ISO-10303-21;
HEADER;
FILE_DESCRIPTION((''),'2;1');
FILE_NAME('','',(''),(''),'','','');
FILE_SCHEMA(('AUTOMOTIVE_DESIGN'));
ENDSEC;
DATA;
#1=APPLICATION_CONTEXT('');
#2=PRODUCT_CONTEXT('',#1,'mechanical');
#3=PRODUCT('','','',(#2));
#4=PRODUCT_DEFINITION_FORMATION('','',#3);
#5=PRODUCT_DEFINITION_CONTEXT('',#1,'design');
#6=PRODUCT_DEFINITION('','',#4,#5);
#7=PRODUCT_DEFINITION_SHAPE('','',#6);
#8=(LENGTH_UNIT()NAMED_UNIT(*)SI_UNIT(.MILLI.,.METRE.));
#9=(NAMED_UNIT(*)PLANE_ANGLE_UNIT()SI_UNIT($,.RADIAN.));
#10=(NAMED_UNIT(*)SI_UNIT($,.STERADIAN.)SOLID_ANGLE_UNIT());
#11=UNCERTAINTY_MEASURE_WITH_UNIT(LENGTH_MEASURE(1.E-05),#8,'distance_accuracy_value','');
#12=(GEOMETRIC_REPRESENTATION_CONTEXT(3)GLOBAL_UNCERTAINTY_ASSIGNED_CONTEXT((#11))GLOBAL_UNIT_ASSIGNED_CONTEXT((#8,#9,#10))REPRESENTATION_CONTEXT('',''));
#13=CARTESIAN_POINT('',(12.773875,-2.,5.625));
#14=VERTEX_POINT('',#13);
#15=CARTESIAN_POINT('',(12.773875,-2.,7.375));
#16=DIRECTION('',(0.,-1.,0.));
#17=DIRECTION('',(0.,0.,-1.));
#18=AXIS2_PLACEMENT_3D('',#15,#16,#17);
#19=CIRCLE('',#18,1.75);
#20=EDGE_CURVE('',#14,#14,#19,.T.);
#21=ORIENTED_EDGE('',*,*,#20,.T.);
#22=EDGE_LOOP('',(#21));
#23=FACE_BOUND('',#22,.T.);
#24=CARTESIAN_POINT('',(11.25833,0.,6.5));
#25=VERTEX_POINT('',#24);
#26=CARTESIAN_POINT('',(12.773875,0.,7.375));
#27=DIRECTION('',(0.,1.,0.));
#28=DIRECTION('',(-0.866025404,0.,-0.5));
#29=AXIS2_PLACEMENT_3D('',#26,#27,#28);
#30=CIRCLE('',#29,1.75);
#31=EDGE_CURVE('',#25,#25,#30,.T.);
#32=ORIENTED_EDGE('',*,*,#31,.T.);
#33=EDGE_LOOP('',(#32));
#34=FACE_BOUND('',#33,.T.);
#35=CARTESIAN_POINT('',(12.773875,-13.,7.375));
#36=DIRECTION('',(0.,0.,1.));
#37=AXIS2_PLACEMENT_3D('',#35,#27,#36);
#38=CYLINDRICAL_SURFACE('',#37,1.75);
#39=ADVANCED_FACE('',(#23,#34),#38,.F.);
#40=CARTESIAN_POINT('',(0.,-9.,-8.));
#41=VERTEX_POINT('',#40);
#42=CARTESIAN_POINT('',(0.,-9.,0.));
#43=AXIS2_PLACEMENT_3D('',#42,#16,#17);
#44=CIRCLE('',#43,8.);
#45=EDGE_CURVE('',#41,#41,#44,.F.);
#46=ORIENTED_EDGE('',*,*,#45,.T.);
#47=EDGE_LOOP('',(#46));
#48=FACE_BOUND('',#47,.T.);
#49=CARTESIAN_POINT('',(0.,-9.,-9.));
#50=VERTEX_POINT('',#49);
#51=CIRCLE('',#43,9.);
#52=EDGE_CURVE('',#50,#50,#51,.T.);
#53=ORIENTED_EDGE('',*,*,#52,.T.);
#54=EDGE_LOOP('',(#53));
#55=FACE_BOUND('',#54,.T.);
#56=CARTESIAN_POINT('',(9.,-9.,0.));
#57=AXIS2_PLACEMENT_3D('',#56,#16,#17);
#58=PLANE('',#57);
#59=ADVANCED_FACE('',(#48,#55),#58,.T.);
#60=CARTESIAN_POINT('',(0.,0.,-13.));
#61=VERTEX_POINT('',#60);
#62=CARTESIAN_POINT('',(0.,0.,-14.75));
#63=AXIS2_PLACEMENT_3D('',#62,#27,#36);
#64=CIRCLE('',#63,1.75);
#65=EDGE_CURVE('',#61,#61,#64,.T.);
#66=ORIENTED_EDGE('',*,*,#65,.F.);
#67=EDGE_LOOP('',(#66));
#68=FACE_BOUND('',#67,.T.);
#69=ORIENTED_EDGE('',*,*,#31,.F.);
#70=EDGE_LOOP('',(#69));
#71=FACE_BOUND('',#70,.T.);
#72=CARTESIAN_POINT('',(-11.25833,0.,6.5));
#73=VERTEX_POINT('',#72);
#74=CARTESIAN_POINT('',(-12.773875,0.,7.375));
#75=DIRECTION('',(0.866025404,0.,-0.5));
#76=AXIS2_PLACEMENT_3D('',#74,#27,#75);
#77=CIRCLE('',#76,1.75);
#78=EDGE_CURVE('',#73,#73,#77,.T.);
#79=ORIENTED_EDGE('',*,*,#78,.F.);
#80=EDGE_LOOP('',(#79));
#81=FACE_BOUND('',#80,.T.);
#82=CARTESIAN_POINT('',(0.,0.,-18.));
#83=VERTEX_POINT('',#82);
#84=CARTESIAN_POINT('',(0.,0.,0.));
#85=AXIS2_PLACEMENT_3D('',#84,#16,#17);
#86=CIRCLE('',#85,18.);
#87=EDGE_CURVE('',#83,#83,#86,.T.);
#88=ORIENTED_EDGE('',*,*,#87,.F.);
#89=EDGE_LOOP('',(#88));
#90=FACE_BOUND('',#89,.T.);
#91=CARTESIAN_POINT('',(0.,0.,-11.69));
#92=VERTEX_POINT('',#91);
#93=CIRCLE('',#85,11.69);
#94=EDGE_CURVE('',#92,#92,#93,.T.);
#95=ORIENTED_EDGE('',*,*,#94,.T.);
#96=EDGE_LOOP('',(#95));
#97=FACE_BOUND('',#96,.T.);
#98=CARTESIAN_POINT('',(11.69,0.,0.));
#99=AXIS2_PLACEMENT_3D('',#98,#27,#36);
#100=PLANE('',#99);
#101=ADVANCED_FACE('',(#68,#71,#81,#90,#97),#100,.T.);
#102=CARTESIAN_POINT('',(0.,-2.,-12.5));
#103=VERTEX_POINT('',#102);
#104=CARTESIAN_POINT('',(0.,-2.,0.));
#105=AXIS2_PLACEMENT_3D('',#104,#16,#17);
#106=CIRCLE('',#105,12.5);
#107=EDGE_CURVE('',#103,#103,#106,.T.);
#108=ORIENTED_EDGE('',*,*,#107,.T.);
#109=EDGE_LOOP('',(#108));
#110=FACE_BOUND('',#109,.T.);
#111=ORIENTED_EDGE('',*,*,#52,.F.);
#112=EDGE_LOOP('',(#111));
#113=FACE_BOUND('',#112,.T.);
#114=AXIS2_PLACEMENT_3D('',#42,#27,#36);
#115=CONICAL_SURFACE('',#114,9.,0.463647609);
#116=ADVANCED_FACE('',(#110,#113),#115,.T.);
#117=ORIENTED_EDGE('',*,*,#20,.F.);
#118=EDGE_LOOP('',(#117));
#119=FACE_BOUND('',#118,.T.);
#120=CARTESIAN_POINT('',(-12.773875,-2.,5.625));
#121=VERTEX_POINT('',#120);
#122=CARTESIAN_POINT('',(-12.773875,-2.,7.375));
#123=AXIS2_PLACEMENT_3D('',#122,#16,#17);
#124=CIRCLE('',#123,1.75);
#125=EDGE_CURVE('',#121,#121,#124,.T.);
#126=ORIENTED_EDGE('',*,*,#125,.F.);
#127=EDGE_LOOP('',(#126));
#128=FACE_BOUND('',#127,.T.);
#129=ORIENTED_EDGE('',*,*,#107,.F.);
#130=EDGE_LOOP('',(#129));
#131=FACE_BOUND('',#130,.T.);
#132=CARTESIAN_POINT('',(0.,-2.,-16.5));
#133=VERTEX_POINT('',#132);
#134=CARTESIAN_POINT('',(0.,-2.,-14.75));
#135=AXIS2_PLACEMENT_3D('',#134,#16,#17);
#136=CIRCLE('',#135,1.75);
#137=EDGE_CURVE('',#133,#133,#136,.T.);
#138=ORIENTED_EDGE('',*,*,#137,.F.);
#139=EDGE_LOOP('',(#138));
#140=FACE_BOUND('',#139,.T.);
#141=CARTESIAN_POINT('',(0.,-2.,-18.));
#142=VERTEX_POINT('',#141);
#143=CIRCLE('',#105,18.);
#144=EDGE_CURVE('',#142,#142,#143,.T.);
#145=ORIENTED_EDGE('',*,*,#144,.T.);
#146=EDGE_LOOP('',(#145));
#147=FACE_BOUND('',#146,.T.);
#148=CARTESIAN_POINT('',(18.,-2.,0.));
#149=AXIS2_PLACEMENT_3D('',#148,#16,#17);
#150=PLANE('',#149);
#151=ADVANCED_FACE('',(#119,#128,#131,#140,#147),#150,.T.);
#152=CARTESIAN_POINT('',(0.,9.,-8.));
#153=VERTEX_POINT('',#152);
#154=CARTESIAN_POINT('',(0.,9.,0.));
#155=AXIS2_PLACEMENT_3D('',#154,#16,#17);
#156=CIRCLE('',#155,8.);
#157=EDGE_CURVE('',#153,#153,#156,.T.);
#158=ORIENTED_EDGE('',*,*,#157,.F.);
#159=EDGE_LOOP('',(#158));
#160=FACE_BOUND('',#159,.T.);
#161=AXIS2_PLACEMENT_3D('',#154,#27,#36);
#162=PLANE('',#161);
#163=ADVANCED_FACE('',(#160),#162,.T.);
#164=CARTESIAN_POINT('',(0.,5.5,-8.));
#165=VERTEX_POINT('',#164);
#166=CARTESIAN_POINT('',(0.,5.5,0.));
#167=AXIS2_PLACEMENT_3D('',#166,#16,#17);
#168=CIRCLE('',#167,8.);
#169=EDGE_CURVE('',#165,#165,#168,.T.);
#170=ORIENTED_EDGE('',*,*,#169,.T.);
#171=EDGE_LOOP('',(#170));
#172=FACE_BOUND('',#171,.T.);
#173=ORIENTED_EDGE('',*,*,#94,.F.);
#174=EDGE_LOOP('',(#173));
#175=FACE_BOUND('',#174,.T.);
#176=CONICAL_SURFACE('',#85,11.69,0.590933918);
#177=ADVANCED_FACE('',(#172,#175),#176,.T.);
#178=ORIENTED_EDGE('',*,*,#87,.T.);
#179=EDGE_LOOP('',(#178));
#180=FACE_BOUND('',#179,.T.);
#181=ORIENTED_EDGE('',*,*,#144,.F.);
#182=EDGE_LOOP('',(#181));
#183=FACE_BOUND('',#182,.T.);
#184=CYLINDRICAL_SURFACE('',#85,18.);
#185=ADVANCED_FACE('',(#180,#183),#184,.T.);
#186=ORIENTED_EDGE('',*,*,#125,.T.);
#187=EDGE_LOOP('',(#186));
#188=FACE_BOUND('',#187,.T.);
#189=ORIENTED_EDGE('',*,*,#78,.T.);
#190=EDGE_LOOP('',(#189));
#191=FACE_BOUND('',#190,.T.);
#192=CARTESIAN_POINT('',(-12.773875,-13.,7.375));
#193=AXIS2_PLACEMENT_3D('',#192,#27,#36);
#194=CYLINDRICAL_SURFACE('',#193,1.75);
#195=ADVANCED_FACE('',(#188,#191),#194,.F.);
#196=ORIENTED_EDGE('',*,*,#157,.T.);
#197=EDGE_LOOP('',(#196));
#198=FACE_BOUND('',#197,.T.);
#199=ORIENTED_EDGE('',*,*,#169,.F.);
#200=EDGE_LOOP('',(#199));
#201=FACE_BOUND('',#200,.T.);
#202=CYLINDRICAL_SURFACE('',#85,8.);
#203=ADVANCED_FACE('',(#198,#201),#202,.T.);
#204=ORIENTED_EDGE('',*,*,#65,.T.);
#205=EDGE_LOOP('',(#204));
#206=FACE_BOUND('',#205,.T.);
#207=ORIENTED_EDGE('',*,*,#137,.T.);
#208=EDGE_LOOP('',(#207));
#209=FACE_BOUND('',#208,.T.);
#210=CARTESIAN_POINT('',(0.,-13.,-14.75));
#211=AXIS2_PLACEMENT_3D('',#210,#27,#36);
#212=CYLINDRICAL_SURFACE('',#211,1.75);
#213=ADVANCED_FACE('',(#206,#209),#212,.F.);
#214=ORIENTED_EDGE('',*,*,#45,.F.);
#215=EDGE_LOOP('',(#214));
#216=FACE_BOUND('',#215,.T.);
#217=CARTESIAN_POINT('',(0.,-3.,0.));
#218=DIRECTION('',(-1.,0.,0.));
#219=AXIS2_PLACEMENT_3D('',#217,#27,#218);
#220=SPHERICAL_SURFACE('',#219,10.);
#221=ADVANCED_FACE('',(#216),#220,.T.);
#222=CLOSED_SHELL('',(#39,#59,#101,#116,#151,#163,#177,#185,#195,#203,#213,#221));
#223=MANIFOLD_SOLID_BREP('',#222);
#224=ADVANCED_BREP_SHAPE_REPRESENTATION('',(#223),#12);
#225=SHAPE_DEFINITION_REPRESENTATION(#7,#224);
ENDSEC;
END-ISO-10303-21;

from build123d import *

# Parameters (mm, degrees)
ESQUISSE3_R                  = 1.75
ENL_V_MAT_EXTRU_1_DEPTH      = 29.583211856
R_P_TITION_CIRCULAIRE1_COUNT = 3


with BuildPart() as part:
    # Esquisse1 → Révolution1 (revolve)
    with BuildSketch(Plane.XY):
        Polygon((0, 0), (0, 9), (8, 9), (8, 5.5), (11.69, 0), (18, 0), (18, -2), (12.5, -2), (9, -9), (0, -9), align=None)
    revolve(axis=Axis((0, 0, 0), (0, 1, 0)))

    # Esquisse2 → Révolution2 (revolve)
    with BuildSketch(Plane.XY):
        with BuildLine():
            Line((0, 7), (0, -13))
            ThreePointArc((0, -13), (10, -3), (0, 7))
        make_face()
    revolve(axis=Axis((0, 7, 0), (0, -1, 0)))

    # Esquisse3 → Enlèv. mat.-Extru.1 (cut, through all)
    with BuildSketch(Plane(origin=(0, 0, 0), x_dir=(1, 0, 0), z_dir=(0, 1, 0))):
        with Locations((0, 14.75)):
            Circle(ESQUISSE3_R)
    enl_v_mat_extru_1 = extrude(amount=-ENL_V_MAT_EXTRU_1_DEPTH, mode=Mode.SUBTRACT)

    # Répétition circulaire1: Enlèv. mat.-Extru.1 ×3 about axis
    r_p_tition_circulaire1_axis = Axis((0, -14.1, 0), (0, 1, 0))
    for i in range(1, R_P_TITION_CIRCULAIRE1_COUNT):
        add(enl_v_mat_extru_1.rotate(r_p_tition_circulaire1_axis, i * 360 / R_P_TITION_CIRCULAIRE1_COUNT), mode=Mode.SUBTRACT)


solid = part.part
